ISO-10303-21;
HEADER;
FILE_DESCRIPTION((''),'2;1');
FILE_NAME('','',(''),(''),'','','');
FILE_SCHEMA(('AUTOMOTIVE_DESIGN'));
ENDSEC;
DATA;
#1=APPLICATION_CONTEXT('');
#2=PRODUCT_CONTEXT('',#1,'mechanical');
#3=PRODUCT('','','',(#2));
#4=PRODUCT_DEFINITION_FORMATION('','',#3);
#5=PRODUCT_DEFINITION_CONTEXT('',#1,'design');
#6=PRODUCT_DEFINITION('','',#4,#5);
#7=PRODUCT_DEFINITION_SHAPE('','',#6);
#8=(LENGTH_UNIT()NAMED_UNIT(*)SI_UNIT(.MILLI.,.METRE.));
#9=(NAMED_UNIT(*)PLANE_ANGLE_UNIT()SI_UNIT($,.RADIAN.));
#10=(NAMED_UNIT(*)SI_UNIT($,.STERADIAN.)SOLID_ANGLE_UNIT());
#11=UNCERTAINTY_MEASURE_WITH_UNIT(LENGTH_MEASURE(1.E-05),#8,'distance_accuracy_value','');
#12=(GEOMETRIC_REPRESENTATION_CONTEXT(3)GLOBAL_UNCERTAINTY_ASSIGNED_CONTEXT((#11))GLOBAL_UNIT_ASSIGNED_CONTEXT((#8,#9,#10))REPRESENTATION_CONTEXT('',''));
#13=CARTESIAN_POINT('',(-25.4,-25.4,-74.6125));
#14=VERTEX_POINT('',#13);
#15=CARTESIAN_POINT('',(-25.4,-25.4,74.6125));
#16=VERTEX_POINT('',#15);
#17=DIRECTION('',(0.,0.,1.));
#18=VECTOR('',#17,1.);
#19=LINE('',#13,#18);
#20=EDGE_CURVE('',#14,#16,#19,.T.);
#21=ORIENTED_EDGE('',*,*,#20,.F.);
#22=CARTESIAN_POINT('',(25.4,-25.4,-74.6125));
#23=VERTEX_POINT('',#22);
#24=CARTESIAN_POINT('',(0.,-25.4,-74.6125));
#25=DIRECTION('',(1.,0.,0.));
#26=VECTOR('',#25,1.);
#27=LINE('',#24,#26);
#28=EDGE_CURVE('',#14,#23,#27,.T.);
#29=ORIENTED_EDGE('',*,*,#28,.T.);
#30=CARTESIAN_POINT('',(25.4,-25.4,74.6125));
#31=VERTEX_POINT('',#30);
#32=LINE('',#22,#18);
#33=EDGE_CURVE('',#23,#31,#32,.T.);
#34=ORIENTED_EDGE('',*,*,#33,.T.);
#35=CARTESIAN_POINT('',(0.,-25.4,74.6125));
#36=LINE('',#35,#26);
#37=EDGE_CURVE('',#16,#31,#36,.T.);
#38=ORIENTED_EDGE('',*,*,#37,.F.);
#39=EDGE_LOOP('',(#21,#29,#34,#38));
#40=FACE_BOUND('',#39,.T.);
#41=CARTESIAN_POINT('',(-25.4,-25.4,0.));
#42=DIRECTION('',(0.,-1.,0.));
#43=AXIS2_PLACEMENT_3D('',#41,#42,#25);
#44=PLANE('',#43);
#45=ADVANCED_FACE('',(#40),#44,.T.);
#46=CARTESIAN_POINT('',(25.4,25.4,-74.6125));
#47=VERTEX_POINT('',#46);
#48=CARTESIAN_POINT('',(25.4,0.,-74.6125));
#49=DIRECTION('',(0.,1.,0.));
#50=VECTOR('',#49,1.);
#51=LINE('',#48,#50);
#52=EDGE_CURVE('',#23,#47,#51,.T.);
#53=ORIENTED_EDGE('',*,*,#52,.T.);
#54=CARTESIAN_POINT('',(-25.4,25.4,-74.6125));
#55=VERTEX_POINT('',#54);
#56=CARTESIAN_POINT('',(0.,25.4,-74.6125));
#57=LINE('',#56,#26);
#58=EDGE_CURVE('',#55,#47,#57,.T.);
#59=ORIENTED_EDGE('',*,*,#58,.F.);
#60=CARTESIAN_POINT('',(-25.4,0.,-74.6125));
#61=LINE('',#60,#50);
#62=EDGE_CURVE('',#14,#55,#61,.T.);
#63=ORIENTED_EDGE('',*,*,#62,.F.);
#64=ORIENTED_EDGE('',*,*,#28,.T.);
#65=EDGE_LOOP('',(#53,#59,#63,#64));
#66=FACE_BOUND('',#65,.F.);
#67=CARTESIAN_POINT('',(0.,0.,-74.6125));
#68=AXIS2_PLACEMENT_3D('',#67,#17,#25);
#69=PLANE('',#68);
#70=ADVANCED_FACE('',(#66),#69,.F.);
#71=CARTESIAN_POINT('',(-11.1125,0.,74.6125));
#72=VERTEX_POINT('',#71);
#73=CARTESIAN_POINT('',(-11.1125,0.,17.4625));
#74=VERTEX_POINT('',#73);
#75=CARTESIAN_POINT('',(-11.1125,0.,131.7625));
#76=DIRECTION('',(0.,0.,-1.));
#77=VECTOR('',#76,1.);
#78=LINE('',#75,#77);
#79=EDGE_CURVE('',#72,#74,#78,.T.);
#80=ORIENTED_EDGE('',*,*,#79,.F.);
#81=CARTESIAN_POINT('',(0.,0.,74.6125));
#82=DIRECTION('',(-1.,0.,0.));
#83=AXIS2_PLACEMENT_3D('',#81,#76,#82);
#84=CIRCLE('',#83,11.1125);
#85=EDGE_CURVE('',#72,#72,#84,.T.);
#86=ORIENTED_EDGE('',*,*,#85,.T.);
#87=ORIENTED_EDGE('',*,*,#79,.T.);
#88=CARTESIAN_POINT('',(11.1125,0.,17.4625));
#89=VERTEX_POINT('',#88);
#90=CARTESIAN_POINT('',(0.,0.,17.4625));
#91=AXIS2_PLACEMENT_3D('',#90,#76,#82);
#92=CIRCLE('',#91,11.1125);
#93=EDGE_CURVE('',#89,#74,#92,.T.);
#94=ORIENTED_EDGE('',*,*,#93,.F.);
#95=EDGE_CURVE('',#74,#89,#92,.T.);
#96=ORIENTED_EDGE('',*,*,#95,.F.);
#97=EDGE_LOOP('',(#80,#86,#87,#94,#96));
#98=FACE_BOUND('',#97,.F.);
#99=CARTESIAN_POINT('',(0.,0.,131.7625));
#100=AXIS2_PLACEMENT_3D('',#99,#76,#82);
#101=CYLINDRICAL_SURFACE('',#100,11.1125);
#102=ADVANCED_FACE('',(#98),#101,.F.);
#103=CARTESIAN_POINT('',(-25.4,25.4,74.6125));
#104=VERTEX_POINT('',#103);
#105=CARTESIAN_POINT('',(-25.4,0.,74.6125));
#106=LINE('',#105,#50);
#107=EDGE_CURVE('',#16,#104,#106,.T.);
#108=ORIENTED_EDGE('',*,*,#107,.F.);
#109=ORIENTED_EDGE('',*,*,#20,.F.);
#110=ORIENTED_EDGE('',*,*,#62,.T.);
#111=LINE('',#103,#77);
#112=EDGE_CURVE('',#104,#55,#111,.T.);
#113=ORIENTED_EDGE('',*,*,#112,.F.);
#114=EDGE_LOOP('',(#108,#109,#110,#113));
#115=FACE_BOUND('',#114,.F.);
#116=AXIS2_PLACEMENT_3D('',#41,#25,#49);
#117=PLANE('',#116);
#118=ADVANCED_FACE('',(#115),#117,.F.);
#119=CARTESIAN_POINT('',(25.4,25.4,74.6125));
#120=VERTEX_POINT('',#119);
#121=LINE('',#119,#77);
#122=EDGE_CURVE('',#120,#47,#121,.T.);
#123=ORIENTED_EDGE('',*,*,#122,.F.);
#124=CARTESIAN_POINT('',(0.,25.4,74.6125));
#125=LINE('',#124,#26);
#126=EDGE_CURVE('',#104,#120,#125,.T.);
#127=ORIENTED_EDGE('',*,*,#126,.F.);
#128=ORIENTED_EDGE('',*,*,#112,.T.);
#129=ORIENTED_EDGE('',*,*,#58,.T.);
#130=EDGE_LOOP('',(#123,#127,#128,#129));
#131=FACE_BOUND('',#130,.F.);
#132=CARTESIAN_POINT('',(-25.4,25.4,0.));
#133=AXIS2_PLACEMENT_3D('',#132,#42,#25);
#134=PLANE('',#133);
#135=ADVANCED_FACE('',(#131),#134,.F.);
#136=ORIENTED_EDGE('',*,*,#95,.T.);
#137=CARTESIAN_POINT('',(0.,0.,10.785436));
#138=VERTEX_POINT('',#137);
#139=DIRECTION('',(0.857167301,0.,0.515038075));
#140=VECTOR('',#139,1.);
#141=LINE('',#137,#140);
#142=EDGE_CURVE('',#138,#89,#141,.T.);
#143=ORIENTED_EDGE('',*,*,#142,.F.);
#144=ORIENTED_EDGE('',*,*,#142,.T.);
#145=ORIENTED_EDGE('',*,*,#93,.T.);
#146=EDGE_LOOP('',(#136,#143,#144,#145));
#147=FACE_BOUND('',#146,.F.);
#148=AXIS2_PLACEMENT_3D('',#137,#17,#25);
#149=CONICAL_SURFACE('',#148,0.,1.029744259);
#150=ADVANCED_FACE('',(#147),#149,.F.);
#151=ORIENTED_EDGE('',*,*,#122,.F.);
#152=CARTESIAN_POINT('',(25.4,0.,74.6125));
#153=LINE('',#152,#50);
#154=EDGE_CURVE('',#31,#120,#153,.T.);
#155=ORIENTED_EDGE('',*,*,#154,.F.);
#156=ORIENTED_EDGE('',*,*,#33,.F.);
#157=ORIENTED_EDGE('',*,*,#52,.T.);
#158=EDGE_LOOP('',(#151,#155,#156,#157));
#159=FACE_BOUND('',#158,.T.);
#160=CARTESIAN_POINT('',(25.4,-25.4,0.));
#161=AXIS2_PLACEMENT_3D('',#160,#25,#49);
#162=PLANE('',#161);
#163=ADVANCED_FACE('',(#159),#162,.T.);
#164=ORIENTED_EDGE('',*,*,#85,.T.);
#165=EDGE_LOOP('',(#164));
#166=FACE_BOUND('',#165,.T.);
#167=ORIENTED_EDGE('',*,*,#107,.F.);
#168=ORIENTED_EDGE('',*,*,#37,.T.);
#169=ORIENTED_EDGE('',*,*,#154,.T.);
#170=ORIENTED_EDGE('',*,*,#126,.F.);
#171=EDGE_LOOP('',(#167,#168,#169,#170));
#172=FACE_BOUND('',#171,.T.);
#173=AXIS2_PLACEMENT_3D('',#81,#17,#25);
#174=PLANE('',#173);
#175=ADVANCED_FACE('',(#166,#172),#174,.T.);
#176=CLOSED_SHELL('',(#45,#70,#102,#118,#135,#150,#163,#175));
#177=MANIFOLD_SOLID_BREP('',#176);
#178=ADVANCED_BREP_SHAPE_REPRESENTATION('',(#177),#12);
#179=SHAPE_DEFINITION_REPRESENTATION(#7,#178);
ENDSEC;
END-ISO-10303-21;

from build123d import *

# Parameters (mm, degrees)
F0_W     = 50.8
F0_H     = 50.8
F1_DEPTH = 74.6125
F3_D     = 22.225
F3_DEPTH = 57.15
F3_TIP   = 6.6770636289


with BuildPart() as f1:
    # F0 (on Top) → F1 (new body, symmetric)
    with BuildSketch(Plane.XY):
        Rectangle(F0_W, F0_H)
    extrude(amount=F1_DEPTH, both=True)

    # F3
    with Locations(Plane.XY.offset(74.6125)):
        with Locations((0, 0)):
            Hole(F3_D / 2, depth=F3_DEPTH)
            with Locations((0, 0, -(F3_DEPTH + F3_TIP / 2))):  # 118° drill point
                Cone(0, F3_D / 2, F3_TIP, mode=Mode.SUBTRACT)


solid = f1.part
